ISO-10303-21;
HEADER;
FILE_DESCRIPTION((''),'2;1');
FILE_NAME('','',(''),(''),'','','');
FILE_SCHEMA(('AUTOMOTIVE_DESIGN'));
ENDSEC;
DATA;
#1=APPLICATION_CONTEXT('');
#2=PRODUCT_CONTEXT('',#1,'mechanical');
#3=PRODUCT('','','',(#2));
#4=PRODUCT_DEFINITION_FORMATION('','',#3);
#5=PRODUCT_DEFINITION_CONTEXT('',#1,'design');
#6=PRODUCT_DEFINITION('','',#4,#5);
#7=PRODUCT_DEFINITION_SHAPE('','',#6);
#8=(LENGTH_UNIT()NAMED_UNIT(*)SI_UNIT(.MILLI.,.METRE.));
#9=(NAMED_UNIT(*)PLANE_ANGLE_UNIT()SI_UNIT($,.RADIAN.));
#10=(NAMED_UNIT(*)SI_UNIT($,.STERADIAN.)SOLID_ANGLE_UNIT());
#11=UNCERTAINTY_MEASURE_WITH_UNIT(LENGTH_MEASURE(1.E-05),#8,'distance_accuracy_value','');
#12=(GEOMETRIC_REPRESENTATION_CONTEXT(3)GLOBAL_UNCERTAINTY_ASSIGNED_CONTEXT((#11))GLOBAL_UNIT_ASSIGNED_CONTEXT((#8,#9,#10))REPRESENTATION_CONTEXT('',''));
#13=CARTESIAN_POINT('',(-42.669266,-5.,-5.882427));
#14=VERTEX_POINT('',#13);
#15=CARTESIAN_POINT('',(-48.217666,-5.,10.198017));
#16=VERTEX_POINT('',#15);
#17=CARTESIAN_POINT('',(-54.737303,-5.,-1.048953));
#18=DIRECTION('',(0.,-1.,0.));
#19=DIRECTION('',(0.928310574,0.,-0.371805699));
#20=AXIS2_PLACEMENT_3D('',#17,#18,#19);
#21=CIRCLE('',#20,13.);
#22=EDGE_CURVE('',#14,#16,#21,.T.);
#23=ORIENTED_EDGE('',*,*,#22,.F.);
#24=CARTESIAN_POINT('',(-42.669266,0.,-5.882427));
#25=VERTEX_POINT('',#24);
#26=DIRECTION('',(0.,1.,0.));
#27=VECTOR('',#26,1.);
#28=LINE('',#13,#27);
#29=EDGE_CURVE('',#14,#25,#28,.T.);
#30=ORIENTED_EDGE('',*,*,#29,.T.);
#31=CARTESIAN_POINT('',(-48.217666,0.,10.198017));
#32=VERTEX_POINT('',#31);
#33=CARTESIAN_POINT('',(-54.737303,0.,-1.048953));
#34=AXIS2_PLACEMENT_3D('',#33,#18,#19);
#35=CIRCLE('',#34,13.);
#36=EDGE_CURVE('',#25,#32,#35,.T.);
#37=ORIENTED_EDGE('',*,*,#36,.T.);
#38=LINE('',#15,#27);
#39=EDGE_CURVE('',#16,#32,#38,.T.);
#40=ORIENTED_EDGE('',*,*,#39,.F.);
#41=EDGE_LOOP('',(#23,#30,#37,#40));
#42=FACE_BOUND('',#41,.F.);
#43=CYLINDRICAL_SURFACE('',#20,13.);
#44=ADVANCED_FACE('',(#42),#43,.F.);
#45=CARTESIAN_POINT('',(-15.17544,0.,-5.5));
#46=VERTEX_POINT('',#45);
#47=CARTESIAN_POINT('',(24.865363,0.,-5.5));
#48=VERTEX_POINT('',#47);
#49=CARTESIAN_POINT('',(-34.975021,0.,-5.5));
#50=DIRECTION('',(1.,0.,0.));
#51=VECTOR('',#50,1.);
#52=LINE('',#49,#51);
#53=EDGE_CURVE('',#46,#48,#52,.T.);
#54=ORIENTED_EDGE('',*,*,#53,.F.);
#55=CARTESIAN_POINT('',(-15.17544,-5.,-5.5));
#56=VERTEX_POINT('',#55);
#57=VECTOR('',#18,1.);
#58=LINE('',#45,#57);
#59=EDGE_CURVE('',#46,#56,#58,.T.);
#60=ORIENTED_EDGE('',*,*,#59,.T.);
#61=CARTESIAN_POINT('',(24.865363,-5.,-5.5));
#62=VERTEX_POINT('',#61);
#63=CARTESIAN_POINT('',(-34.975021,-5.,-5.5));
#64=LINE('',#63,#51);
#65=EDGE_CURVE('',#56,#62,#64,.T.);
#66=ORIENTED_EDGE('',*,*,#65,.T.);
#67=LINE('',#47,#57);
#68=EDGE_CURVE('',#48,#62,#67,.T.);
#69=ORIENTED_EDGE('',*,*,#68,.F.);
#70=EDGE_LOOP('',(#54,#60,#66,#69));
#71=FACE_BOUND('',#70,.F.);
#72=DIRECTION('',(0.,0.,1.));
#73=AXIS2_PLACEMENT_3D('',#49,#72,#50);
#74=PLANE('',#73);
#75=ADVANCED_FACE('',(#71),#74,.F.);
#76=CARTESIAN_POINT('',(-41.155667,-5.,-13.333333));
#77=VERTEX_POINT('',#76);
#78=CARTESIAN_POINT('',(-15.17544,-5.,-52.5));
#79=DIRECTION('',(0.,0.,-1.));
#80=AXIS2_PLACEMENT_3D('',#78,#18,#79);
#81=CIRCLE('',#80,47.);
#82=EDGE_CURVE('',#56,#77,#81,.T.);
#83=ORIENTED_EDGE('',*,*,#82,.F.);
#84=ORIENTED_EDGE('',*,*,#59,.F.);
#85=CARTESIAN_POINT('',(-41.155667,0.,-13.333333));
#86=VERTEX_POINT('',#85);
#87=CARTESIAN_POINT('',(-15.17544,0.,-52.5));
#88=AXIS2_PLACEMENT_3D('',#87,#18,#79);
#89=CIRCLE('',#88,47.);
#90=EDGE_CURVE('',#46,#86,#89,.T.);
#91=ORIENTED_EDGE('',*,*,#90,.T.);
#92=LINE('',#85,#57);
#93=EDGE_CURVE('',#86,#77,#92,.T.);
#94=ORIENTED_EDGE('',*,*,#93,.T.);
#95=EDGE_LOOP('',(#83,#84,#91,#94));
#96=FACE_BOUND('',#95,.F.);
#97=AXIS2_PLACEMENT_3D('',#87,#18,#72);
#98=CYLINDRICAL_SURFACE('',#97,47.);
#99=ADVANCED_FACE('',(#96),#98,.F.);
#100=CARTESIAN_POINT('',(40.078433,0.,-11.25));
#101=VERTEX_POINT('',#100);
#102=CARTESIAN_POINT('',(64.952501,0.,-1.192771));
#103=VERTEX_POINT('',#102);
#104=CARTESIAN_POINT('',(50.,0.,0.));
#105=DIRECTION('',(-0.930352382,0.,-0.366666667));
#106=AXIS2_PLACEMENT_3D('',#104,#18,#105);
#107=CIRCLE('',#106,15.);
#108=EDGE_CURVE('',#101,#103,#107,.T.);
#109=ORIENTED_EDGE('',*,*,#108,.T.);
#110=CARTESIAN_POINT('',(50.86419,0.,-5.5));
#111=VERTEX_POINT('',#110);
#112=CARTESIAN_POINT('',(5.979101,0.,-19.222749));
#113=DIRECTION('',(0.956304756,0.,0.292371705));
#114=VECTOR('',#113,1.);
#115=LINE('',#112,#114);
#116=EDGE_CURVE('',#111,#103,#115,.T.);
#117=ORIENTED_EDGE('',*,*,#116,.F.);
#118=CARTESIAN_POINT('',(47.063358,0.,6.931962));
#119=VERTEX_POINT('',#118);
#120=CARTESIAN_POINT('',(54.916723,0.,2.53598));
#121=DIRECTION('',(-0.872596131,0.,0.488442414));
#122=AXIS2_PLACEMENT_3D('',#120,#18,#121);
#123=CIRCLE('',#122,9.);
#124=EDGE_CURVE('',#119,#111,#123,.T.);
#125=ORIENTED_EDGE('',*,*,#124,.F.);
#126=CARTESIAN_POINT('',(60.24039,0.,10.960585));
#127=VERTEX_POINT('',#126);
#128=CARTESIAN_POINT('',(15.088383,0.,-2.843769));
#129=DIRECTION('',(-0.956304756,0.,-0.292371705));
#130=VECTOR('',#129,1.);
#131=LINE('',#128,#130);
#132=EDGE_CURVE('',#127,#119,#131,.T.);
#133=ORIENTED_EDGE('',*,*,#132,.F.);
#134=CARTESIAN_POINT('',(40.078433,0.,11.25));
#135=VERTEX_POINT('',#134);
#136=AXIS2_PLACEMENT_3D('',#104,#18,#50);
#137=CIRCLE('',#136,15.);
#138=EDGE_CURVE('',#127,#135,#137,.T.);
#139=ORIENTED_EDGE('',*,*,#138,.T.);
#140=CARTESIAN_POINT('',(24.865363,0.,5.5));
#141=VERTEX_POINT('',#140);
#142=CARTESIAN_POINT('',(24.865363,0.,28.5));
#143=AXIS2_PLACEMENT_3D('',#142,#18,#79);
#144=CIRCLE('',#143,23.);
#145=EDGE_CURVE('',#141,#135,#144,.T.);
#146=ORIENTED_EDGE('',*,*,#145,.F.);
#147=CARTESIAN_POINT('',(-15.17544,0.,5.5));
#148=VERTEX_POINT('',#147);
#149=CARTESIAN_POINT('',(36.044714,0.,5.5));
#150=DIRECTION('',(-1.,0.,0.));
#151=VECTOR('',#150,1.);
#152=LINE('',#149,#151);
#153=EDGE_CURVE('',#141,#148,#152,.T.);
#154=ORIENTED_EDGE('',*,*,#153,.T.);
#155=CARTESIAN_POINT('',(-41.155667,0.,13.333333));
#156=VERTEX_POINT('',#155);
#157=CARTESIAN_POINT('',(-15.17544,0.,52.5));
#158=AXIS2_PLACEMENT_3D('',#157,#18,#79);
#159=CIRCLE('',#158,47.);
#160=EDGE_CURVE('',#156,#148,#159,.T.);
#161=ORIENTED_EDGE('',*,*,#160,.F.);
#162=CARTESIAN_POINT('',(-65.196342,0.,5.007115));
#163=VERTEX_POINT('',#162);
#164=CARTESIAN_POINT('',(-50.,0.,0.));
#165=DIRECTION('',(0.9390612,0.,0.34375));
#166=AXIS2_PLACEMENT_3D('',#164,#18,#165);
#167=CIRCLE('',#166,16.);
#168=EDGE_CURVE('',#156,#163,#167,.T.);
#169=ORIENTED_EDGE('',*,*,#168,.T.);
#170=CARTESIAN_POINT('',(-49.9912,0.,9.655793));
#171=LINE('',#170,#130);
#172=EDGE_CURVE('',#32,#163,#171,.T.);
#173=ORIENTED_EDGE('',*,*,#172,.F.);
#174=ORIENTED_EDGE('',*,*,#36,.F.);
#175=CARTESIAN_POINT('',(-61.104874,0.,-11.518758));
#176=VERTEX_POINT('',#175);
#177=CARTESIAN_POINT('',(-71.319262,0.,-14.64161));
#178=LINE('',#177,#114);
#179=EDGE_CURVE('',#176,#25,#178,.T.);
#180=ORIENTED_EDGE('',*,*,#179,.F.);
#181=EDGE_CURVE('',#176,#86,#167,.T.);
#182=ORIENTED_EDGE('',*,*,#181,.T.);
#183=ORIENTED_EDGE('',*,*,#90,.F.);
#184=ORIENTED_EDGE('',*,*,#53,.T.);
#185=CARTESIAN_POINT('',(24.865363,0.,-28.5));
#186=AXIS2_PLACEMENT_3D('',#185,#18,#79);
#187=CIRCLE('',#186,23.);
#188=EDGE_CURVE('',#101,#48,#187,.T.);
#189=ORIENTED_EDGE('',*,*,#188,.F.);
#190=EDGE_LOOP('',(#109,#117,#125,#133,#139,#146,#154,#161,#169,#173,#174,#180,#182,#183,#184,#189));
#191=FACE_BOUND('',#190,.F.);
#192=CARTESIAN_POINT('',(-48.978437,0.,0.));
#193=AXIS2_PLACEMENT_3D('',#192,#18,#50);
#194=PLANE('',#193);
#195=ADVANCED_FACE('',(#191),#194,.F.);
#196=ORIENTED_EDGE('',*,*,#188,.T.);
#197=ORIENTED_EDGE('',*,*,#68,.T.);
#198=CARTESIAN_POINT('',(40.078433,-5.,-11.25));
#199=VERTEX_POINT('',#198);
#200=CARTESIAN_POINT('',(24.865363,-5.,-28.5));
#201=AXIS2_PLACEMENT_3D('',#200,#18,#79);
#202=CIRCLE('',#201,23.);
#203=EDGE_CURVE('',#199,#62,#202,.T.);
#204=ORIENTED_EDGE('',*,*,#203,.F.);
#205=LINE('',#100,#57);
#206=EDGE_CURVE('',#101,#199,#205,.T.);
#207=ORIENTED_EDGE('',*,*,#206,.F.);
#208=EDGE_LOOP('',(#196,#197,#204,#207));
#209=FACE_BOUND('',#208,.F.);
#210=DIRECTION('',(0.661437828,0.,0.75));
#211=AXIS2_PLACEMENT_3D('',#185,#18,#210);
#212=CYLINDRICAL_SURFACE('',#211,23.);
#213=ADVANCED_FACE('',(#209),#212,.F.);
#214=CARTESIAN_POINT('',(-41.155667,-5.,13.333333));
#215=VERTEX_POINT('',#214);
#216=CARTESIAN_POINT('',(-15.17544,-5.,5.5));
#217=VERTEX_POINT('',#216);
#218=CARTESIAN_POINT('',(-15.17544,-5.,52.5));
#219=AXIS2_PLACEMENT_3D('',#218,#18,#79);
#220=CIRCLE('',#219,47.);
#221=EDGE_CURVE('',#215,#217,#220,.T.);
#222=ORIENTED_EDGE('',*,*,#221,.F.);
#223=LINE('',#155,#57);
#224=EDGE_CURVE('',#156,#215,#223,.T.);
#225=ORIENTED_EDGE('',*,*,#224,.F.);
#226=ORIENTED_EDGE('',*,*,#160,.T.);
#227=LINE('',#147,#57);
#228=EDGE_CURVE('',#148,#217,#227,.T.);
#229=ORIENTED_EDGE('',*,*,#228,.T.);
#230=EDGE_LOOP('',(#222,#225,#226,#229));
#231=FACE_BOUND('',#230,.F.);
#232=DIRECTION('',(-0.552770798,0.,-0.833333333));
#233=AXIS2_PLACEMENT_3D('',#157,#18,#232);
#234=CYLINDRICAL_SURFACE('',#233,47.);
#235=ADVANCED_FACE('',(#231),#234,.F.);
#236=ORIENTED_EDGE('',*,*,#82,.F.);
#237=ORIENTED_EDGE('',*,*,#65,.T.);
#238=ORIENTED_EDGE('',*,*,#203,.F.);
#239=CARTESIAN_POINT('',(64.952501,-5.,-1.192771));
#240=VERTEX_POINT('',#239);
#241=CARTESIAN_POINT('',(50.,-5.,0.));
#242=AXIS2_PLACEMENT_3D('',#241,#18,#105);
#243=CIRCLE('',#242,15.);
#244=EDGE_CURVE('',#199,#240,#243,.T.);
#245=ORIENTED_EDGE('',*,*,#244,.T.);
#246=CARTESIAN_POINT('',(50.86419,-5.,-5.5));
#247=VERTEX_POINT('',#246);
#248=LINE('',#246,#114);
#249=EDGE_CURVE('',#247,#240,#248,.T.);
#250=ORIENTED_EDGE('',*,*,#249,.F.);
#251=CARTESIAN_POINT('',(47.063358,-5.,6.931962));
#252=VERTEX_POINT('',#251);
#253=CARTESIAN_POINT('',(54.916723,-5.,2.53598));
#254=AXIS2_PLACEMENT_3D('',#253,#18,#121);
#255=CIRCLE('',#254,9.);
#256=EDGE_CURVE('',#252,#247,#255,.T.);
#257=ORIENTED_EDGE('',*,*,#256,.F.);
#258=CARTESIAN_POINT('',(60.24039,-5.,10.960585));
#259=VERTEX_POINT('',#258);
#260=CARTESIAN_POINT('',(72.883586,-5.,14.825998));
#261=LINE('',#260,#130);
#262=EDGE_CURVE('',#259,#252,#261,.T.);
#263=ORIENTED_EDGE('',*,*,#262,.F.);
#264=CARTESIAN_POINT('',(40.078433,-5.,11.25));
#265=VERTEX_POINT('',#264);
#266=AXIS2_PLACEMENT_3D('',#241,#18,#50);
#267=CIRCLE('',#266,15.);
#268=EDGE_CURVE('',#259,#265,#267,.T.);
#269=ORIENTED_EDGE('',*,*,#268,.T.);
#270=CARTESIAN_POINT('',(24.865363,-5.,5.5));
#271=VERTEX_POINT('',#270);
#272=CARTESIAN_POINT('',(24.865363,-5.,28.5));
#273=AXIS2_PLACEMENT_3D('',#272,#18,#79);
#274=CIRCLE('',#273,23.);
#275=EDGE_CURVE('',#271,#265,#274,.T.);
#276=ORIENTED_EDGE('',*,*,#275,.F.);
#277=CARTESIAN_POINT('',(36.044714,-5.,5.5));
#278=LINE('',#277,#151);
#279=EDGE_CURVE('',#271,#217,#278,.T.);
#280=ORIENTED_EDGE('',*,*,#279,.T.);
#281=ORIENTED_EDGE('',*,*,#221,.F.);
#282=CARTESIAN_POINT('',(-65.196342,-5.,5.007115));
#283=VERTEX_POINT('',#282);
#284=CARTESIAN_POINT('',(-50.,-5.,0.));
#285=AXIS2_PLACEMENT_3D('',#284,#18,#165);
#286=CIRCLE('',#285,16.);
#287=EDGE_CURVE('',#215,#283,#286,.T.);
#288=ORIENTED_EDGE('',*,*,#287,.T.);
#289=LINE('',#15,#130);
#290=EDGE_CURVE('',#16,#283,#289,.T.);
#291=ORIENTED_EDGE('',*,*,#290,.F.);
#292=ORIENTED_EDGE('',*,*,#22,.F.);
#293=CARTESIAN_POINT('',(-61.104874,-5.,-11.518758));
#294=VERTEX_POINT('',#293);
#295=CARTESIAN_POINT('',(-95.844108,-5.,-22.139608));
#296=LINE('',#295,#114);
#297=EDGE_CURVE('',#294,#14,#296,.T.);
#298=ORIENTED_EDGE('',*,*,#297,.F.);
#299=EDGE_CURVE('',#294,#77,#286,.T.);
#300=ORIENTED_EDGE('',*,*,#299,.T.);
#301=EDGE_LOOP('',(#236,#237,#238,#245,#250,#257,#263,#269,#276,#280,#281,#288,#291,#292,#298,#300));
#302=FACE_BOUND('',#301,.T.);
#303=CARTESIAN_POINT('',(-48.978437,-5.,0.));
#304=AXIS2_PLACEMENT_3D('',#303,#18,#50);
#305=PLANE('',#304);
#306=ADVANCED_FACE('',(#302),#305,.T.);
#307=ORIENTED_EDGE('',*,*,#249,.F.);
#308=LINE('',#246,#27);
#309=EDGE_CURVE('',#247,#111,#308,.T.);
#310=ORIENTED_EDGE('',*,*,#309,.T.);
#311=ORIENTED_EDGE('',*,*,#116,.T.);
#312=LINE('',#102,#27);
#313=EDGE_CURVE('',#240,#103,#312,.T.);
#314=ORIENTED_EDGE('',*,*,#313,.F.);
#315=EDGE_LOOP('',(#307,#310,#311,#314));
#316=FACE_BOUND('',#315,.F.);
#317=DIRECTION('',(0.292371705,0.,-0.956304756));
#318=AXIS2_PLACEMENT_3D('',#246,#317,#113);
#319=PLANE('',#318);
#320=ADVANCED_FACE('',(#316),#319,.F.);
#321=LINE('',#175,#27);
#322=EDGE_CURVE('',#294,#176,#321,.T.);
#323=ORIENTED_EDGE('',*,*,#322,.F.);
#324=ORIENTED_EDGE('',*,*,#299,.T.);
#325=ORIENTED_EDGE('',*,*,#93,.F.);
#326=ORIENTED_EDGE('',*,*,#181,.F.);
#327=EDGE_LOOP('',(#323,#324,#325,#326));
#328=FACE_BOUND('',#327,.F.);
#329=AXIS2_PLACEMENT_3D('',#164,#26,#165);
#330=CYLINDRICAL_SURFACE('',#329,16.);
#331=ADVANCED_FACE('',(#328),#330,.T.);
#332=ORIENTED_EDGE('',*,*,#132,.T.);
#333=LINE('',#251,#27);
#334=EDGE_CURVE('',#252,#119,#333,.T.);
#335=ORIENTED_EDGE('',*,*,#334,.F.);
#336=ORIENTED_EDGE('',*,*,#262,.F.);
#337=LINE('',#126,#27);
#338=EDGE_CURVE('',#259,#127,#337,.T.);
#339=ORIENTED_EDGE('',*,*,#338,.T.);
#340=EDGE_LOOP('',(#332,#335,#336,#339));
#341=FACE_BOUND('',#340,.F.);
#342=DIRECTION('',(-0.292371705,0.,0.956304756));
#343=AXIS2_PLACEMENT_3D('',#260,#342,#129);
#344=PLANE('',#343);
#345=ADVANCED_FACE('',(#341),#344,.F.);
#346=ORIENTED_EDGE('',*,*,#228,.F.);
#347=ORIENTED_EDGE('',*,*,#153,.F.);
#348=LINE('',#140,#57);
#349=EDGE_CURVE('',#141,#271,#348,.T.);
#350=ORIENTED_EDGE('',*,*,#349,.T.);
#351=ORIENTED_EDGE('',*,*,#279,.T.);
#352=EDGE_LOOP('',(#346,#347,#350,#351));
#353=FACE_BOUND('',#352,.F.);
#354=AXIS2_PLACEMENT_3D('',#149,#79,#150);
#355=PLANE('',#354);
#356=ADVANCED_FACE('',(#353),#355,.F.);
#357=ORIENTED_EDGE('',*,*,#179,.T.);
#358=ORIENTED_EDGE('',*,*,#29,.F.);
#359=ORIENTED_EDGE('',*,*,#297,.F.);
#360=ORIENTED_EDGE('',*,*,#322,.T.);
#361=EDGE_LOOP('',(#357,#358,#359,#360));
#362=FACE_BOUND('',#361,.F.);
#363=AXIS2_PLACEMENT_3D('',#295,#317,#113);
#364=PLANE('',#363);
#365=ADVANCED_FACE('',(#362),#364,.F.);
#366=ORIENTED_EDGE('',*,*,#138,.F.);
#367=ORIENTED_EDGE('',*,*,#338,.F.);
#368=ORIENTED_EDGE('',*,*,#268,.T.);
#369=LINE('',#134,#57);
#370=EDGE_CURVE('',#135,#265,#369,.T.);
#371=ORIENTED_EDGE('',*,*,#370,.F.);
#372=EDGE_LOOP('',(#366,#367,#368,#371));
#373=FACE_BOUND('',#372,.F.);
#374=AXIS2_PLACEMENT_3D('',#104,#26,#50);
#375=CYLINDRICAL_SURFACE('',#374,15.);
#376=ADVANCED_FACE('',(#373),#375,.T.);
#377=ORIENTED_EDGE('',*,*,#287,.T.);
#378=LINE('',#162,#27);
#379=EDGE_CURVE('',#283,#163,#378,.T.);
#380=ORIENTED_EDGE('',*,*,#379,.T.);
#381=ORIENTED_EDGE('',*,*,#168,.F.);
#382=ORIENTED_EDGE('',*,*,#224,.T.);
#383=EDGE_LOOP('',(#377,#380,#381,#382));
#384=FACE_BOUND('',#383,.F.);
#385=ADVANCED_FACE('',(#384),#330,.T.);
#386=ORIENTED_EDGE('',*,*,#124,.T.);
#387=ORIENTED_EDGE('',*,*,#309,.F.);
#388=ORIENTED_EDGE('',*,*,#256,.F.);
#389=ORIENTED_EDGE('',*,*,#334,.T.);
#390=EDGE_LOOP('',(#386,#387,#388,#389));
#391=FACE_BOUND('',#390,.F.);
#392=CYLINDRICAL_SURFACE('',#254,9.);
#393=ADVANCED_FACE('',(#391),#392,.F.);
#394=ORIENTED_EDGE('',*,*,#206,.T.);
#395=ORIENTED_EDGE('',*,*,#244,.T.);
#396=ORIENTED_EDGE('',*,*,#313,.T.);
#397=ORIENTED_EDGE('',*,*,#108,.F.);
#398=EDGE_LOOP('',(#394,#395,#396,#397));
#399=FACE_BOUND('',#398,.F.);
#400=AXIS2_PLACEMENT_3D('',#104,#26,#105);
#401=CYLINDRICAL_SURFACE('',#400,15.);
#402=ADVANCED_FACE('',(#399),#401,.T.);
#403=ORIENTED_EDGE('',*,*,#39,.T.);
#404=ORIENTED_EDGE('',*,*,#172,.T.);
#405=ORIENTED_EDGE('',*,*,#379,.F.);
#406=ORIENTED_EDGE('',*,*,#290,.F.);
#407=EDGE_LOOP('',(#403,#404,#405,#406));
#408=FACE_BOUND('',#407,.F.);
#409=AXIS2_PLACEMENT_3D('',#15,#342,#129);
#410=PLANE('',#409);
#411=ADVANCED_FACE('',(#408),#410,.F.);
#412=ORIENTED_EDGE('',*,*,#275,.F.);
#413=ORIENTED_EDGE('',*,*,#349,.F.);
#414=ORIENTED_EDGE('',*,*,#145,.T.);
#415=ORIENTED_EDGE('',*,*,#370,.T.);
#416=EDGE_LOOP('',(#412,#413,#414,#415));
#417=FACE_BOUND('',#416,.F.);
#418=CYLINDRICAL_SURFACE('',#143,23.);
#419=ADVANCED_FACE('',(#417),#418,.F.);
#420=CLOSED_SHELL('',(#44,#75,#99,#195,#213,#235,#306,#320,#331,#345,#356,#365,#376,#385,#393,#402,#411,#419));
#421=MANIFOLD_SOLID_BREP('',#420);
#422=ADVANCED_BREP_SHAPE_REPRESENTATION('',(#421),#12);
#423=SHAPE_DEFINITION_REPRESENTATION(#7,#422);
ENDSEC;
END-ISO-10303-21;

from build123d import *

# Parameters (mm, degrees)
F1_DEPTH = 5
F3_DEPTH = 25
F4_R     = 47
F5_R     = 23
F7_DEPTH = 25


with BuildPart() as f1:
    # F0 (on Front) → F1 (new body)
    with BuildSketch(Plane.XZ):
        with BuildLine():
            Line((-50, -5.5), (-50, 5.5))
            Line((-50, 5.5), (-34.9750207987, 5.5))
            ThreePointArc((-34.9750207987, 5.5), (-66, 0), (-34.9750207987, -5.5))
            Line((-34.9750207987, -5.5), (-50, -5.5))
        make_face()
        with BuildLine():
            Line((-34.9750207987, 5.5), (-50, 5.5))
            Line((-50, 5.5), (-50, -5.5))
            Line((-50, -5.5), (-34.9750207987, -5.5))
            ThreePointArc((-34.9750207987, -5.5), (-34.2456408061, -2.7928777971), (-34, 0))
            ThreePointArc((-34, 0), (-34.2456408061, 2.7928777971), (-34.9750207987, 5.5))
        make_face()
        with BuildLine():
            Line((36.044714263, 5.5), (-34.9750207987, 5.5))
            ThreePointArc((-34.9750207987, 5.5), (-34.2456408061, 2.7928777971), (-34, 0))
            ThreePointArc((-34, 0), (-34.2456408061, -2.7928777971), (-34.9750207987, -5.5))
            Line((-34.9750207987, -5.5), (36.044714263, -5.5))
            ThreePointArc((36.044714263, -5.5), (35, 0), (36.044714263, 5.5))
        make_face()
        with BuildLine():
            ThreePointArc((65, 0), (52.7991707652, 14.7365071515), (36.044714263, 5.5))
            Line((36.044714263, 5.5), (50, 5.5))
            Line((50, 5.5), (50, -5.5))
            Line((50, -5.5), (36.044714263, -5.5))
            ThreePointArc((36.044714263, -5.5), (52.7991707652, -14.7365071515), (65, 0))
        make_face()
        with BuildLine():
            Line((50, 5.5), (36.044714263, 5.5))
            ThreePointArc((36.044714263, 5.5), (35, 0), (36.044714263, -5.5))
            Line((36.044714263, -5.5), (50, -5.5))
            Line((50, -5.5), (50, 5.5))
        make_face()
    extrude(amount=F1_DEPTH)

    # F2 (on face) → F3 (cut)
    with BuildSketch(Plane.XZ.offset(5)):
        with BuildLine():
            Line((-95.8441084985, -22.139607746), (-42.6692659416, -5.8824268946))
            ThreePointArc((-42.6692659416, -5.8824268946), (-42.4482601938, 3.1912614483), (-48.2176659008, 10.1980168652))
            Line((-48.2176659008, 10.1980168652), (-100.8144274788, -5.8824268946))
            Line((-100.8144274788, -5.8824268946), (-95.8441084985, -22.139607746))
        make_face()
    extrude(amount=-F3_DEPTH, mode=Mode.SUBTRACT)

    # F4
    f4_edges = [f1.edges().sort_by_distance(p)[0] for p in [
        (-34.975021, -2.5, 5.5),
        (-34.975021, -2.5, -5.5),
    ]]
    fillet(f4_edges, radius=F4_R)

    # F5
    f5_edges = [f1.edges().sort_by_distance(p)[0] for p in [
        (36.044714, -2.5, -5.5),
        (36.044714, -2.5, 5.5),
    ]]
    fillet(f5_edges, radius=F5_R)

    # F6 (on face) → F7 (cut)
    with BuildSketch(Plane.XZ.offset(5)):
        with BuildLine():
            Line((72.8835861022, 14.825997855), (47.0633576912, 6.9319618275))
            ThreePointArc((47.0633576912, 6.9319618275), (46.3099800667, -0.0953652442), (50.8641898526, -5.5))
            Line((50.8641898526, -5.5), (76.6844182636, 2.3940360275))
            Line((76.6844182636, 2.3940360275), (72.8835861022, 14.825997855))
        make_face()
    extrude(amount=-F7_DEPTH, mode=Mode.SUBTRACT)


solid = f1.part
